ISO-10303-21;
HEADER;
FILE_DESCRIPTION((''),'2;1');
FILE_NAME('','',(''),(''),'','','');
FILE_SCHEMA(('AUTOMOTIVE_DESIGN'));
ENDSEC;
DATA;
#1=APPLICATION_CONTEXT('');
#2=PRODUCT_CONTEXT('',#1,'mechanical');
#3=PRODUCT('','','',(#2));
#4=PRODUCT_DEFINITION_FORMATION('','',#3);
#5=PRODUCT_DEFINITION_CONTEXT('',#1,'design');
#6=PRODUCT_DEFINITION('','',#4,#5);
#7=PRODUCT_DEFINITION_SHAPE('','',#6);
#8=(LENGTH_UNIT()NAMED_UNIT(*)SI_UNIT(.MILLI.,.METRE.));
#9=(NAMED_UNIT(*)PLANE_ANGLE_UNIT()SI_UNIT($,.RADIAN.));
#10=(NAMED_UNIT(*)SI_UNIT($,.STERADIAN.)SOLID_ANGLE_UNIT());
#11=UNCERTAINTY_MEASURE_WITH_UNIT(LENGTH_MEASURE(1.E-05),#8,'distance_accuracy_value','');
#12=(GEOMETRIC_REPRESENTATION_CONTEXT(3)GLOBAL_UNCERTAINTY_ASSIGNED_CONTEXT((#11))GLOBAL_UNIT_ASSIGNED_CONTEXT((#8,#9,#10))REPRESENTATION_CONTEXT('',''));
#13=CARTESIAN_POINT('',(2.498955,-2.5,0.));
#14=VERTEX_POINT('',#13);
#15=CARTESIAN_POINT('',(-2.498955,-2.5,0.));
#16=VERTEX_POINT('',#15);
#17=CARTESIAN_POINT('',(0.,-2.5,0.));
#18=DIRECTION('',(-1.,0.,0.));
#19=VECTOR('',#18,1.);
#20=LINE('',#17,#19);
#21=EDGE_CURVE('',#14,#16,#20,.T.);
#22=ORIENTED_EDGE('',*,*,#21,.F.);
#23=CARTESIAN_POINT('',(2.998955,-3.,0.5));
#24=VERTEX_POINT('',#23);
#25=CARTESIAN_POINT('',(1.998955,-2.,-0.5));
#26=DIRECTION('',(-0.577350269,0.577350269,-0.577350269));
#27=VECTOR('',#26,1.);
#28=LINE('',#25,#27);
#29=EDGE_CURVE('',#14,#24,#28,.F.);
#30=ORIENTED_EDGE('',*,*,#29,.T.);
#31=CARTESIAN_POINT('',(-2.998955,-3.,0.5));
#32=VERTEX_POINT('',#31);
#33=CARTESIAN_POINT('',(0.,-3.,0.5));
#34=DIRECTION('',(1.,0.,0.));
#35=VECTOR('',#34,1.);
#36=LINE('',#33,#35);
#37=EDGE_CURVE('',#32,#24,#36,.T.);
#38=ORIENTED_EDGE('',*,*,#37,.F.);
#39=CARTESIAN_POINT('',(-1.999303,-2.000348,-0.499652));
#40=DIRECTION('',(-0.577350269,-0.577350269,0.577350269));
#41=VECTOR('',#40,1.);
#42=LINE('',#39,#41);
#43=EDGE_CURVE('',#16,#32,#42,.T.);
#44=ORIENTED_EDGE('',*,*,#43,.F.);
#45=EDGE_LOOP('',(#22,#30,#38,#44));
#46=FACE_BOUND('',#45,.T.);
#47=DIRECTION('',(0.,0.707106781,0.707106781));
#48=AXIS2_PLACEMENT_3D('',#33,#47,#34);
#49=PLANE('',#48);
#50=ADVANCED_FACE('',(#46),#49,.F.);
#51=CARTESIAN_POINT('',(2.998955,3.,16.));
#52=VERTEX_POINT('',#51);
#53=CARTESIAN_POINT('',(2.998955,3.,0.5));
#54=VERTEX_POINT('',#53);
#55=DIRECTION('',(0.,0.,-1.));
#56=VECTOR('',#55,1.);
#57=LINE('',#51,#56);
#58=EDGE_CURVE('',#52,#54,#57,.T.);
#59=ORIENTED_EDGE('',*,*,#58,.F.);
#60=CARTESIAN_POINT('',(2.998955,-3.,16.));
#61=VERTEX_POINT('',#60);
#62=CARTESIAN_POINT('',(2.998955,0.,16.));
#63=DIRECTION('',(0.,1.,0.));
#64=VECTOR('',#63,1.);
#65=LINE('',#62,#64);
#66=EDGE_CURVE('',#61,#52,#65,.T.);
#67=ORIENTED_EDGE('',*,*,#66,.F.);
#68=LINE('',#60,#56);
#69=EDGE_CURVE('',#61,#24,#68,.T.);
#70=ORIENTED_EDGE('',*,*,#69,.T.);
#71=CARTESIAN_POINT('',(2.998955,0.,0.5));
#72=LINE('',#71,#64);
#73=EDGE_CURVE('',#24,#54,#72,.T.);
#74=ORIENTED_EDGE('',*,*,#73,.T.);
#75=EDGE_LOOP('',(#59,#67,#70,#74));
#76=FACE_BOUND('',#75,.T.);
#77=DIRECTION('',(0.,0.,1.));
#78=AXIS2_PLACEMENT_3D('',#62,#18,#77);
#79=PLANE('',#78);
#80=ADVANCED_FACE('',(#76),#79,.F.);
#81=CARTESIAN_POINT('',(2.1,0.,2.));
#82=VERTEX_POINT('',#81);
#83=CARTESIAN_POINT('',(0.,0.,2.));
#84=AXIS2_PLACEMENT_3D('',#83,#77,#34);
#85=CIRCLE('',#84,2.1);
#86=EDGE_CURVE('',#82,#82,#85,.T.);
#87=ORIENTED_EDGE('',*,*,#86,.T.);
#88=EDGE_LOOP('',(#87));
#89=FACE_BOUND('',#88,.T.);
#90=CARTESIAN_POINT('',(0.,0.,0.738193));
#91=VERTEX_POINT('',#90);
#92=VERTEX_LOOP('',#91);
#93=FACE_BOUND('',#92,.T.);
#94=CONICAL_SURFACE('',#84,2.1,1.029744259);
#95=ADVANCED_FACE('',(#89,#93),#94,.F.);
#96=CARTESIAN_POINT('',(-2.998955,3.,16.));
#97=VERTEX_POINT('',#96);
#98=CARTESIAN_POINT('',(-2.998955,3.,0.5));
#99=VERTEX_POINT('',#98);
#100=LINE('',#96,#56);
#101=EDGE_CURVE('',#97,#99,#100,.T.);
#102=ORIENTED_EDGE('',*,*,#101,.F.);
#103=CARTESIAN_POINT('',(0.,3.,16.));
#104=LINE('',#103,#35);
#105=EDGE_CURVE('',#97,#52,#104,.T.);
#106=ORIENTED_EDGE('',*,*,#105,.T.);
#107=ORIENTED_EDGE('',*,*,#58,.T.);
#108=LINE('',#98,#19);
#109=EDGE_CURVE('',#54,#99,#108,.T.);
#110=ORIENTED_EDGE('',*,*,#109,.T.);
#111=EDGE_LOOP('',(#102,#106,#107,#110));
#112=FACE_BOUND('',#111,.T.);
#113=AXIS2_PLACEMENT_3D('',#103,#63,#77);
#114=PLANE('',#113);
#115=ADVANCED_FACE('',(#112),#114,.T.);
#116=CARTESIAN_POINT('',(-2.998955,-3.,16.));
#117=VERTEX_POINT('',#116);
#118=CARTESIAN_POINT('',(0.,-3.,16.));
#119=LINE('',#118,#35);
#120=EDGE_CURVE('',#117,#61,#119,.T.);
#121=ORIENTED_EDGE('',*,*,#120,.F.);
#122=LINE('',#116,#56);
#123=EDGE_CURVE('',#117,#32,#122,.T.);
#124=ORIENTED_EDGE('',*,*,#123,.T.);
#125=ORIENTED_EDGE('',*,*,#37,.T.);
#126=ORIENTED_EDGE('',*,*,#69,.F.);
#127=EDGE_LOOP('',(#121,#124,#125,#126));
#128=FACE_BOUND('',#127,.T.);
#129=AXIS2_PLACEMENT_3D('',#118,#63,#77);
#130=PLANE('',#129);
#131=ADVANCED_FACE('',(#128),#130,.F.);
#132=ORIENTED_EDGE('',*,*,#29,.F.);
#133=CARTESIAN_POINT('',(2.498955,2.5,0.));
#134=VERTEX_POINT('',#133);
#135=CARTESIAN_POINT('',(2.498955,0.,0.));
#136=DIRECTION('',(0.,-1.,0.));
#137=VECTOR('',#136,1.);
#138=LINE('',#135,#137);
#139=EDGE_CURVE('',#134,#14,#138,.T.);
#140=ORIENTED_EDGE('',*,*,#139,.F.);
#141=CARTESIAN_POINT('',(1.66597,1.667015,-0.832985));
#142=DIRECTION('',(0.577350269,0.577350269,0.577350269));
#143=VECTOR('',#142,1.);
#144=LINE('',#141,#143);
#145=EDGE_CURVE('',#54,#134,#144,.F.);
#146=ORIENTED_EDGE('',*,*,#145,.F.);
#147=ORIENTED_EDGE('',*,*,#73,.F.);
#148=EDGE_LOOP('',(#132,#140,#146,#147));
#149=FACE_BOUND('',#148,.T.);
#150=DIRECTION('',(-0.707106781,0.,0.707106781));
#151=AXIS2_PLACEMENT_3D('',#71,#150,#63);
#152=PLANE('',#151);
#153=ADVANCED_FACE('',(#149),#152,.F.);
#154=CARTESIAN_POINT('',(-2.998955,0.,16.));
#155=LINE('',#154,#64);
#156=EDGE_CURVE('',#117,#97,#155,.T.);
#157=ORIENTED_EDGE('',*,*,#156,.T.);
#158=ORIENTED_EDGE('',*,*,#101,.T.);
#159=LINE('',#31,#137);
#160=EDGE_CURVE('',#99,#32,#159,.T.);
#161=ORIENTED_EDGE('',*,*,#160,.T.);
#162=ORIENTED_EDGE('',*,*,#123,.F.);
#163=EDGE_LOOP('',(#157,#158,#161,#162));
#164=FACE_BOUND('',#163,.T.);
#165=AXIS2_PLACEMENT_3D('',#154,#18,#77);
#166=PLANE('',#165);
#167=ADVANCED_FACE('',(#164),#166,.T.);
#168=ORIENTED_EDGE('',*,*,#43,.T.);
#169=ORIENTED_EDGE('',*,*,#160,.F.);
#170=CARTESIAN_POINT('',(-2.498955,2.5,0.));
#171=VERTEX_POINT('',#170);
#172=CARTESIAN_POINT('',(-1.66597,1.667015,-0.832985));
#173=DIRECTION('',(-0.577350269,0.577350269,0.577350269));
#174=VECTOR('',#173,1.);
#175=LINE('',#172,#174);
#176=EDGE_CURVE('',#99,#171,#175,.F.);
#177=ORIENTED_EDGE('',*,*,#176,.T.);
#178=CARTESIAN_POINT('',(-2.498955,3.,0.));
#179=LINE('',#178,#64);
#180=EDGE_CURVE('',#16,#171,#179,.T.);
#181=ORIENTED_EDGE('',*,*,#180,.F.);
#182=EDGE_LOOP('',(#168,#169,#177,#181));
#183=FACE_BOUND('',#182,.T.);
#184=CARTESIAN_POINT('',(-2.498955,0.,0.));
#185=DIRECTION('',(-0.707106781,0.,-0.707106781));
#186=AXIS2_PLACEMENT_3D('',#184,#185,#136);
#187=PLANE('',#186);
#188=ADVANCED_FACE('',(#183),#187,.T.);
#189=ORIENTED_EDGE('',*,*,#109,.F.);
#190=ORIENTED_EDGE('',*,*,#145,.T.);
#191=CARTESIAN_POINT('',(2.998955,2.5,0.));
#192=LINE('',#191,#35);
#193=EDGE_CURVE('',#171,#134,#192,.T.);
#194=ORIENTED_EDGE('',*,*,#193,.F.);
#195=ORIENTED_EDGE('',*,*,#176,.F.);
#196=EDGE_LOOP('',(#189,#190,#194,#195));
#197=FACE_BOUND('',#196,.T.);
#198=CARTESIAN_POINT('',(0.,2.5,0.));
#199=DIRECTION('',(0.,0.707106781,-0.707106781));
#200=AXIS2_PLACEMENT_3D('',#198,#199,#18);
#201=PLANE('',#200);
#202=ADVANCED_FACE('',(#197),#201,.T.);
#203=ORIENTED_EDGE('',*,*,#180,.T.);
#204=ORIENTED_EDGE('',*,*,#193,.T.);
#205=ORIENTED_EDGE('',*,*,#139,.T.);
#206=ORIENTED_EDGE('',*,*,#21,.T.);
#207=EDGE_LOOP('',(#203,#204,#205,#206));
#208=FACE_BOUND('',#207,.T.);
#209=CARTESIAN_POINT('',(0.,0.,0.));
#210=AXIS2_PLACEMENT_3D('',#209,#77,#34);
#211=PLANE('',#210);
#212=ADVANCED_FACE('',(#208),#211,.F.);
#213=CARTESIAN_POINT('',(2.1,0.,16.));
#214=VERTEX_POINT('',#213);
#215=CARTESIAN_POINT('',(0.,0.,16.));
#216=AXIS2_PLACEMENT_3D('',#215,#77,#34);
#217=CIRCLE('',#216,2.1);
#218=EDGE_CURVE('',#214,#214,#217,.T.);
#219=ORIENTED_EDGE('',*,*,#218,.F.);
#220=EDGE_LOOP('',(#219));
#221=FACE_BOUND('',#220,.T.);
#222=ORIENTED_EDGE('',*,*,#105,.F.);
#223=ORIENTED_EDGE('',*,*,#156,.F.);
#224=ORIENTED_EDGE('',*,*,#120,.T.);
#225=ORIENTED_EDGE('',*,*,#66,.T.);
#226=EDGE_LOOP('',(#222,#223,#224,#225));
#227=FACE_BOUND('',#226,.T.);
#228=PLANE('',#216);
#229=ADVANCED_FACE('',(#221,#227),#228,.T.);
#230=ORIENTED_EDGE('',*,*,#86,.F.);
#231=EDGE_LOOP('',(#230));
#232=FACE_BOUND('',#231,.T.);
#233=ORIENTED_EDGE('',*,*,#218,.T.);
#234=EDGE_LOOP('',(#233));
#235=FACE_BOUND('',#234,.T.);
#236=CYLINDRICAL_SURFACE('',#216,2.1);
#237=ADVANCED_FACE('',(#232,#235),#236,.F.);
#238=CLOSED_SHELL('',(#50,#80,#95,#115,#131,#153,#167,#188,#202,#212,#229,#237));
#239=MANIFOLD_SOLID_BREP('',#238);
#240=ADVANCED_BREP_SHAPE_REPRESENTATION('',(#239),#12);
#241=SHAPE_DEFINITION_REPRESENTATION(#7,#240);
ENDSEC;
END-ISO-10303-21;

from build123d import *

# Parameters (mm, degrees)
BOSS_EXTRUDE1_DEPTH   = 16
M5_TAPPED_HOLE1_D     = 4.2
M5_TAPPED_HOLE1_DEPTH = 14
M5_TAPPED_HOLE1_TIP   = 1.2618073
CHAMFER1_SIZE         = 0.5


with BuildPart() as part:
    # Sketch1 → Boss-Extrude1 (new body)
    with BuildSketch(Plane.XY):
        with BuildLine():
            Line((-2.998955183, 3), (-2.998955183, 0.079169503))
            ThreePointArc((-2.998955183, 0.079169503), (-2.093142553, 2.14912872), (0, 3))
            Line((0, 3), (-2.998955183, 3))
        make_face()
        with BuildLine():
            ThreePointArc((0, 3), (2.093142553, 2.14912872), (2.998955183, 0.079169503))
            Line((2.998955183, 0.079169503), (2.998955183, 3))
            Line((2.998955183, 3), (0, 3))
        make_face()
        with BuildLine():
            ThreePointArc((-2.998955183, -0.079169503), (-2.093142553, -2.14912872), (0, -3))
            ThreePointArc((0, -3), (2.093142553, -2.14912872), (2.998955183, -0.079169503))
            Line((2.998955183, -0.079169503), (2.998955183, 0.079169503))
            ThreePointArc((2.998955183, 0.079169503), (2.093142553, 2.14912872), (0, 3))
            ThreePointArc((0, 3), (-2.093142553, 2.14912872), (-2.998955183, 0.079169503))
            Line((-2.998955183, 0.079169503), (-2.998955183, -0.079169503))
        make_face()
        with BuildLine():
            ThreePointArc((2.998955183, -0.079169503), (2.093142553, -2.14912872), (0, -3))
            Line((0, -3), (2.998955183, -3))
            Line((2.998955183, -3), (2.998955183, -0.079169503))
        make_face()
        with BuildLine():
            Line((-2.998955183, -0.079169503), (-2.998955183, -3))
            Line((-2.998955183, -3), (0, -3))
            ThreePointArc((0, -3), (-2.093142553, -2.14912872), (-2.998955183, -0.079169503))
        make_face()
    extrude(amount=BOSS_EXTRUDE1_DEPTH)

    # M5 Tapped Hole1
    with Locations(Plane.XY.offset(16)):
        with Locations((0, 0)):
            Hole(M5_TAPPED_HOLE1_D / 2, depth=M5_TAPPED_HOLE1_DEPTH)
            with Locations((0, 0, -(M5_TAPPED_HOLE1_DEPTH + M5_TAPPED_HOLE1_TIP / 2))):  # 118° drill point
                Cone(0, M5_TAPPED_HOLE1_D / 2, M5_TAPPED_HOLE1_TIP, mode=Mode.SUBTRACT)

    # Chamfer1
    chamfer1_edges = [part.edges().sort_by_distance(p)[0] for p in [
        (0, 3, 0),
        (2.998955183, 0, 0),
        (0, -3, 0),
        (-2.998955183, 0, 0),
    ]]
    chamfer(chamfer1_edges, length=CHAMFER1_SIZE)


solid = part.part
